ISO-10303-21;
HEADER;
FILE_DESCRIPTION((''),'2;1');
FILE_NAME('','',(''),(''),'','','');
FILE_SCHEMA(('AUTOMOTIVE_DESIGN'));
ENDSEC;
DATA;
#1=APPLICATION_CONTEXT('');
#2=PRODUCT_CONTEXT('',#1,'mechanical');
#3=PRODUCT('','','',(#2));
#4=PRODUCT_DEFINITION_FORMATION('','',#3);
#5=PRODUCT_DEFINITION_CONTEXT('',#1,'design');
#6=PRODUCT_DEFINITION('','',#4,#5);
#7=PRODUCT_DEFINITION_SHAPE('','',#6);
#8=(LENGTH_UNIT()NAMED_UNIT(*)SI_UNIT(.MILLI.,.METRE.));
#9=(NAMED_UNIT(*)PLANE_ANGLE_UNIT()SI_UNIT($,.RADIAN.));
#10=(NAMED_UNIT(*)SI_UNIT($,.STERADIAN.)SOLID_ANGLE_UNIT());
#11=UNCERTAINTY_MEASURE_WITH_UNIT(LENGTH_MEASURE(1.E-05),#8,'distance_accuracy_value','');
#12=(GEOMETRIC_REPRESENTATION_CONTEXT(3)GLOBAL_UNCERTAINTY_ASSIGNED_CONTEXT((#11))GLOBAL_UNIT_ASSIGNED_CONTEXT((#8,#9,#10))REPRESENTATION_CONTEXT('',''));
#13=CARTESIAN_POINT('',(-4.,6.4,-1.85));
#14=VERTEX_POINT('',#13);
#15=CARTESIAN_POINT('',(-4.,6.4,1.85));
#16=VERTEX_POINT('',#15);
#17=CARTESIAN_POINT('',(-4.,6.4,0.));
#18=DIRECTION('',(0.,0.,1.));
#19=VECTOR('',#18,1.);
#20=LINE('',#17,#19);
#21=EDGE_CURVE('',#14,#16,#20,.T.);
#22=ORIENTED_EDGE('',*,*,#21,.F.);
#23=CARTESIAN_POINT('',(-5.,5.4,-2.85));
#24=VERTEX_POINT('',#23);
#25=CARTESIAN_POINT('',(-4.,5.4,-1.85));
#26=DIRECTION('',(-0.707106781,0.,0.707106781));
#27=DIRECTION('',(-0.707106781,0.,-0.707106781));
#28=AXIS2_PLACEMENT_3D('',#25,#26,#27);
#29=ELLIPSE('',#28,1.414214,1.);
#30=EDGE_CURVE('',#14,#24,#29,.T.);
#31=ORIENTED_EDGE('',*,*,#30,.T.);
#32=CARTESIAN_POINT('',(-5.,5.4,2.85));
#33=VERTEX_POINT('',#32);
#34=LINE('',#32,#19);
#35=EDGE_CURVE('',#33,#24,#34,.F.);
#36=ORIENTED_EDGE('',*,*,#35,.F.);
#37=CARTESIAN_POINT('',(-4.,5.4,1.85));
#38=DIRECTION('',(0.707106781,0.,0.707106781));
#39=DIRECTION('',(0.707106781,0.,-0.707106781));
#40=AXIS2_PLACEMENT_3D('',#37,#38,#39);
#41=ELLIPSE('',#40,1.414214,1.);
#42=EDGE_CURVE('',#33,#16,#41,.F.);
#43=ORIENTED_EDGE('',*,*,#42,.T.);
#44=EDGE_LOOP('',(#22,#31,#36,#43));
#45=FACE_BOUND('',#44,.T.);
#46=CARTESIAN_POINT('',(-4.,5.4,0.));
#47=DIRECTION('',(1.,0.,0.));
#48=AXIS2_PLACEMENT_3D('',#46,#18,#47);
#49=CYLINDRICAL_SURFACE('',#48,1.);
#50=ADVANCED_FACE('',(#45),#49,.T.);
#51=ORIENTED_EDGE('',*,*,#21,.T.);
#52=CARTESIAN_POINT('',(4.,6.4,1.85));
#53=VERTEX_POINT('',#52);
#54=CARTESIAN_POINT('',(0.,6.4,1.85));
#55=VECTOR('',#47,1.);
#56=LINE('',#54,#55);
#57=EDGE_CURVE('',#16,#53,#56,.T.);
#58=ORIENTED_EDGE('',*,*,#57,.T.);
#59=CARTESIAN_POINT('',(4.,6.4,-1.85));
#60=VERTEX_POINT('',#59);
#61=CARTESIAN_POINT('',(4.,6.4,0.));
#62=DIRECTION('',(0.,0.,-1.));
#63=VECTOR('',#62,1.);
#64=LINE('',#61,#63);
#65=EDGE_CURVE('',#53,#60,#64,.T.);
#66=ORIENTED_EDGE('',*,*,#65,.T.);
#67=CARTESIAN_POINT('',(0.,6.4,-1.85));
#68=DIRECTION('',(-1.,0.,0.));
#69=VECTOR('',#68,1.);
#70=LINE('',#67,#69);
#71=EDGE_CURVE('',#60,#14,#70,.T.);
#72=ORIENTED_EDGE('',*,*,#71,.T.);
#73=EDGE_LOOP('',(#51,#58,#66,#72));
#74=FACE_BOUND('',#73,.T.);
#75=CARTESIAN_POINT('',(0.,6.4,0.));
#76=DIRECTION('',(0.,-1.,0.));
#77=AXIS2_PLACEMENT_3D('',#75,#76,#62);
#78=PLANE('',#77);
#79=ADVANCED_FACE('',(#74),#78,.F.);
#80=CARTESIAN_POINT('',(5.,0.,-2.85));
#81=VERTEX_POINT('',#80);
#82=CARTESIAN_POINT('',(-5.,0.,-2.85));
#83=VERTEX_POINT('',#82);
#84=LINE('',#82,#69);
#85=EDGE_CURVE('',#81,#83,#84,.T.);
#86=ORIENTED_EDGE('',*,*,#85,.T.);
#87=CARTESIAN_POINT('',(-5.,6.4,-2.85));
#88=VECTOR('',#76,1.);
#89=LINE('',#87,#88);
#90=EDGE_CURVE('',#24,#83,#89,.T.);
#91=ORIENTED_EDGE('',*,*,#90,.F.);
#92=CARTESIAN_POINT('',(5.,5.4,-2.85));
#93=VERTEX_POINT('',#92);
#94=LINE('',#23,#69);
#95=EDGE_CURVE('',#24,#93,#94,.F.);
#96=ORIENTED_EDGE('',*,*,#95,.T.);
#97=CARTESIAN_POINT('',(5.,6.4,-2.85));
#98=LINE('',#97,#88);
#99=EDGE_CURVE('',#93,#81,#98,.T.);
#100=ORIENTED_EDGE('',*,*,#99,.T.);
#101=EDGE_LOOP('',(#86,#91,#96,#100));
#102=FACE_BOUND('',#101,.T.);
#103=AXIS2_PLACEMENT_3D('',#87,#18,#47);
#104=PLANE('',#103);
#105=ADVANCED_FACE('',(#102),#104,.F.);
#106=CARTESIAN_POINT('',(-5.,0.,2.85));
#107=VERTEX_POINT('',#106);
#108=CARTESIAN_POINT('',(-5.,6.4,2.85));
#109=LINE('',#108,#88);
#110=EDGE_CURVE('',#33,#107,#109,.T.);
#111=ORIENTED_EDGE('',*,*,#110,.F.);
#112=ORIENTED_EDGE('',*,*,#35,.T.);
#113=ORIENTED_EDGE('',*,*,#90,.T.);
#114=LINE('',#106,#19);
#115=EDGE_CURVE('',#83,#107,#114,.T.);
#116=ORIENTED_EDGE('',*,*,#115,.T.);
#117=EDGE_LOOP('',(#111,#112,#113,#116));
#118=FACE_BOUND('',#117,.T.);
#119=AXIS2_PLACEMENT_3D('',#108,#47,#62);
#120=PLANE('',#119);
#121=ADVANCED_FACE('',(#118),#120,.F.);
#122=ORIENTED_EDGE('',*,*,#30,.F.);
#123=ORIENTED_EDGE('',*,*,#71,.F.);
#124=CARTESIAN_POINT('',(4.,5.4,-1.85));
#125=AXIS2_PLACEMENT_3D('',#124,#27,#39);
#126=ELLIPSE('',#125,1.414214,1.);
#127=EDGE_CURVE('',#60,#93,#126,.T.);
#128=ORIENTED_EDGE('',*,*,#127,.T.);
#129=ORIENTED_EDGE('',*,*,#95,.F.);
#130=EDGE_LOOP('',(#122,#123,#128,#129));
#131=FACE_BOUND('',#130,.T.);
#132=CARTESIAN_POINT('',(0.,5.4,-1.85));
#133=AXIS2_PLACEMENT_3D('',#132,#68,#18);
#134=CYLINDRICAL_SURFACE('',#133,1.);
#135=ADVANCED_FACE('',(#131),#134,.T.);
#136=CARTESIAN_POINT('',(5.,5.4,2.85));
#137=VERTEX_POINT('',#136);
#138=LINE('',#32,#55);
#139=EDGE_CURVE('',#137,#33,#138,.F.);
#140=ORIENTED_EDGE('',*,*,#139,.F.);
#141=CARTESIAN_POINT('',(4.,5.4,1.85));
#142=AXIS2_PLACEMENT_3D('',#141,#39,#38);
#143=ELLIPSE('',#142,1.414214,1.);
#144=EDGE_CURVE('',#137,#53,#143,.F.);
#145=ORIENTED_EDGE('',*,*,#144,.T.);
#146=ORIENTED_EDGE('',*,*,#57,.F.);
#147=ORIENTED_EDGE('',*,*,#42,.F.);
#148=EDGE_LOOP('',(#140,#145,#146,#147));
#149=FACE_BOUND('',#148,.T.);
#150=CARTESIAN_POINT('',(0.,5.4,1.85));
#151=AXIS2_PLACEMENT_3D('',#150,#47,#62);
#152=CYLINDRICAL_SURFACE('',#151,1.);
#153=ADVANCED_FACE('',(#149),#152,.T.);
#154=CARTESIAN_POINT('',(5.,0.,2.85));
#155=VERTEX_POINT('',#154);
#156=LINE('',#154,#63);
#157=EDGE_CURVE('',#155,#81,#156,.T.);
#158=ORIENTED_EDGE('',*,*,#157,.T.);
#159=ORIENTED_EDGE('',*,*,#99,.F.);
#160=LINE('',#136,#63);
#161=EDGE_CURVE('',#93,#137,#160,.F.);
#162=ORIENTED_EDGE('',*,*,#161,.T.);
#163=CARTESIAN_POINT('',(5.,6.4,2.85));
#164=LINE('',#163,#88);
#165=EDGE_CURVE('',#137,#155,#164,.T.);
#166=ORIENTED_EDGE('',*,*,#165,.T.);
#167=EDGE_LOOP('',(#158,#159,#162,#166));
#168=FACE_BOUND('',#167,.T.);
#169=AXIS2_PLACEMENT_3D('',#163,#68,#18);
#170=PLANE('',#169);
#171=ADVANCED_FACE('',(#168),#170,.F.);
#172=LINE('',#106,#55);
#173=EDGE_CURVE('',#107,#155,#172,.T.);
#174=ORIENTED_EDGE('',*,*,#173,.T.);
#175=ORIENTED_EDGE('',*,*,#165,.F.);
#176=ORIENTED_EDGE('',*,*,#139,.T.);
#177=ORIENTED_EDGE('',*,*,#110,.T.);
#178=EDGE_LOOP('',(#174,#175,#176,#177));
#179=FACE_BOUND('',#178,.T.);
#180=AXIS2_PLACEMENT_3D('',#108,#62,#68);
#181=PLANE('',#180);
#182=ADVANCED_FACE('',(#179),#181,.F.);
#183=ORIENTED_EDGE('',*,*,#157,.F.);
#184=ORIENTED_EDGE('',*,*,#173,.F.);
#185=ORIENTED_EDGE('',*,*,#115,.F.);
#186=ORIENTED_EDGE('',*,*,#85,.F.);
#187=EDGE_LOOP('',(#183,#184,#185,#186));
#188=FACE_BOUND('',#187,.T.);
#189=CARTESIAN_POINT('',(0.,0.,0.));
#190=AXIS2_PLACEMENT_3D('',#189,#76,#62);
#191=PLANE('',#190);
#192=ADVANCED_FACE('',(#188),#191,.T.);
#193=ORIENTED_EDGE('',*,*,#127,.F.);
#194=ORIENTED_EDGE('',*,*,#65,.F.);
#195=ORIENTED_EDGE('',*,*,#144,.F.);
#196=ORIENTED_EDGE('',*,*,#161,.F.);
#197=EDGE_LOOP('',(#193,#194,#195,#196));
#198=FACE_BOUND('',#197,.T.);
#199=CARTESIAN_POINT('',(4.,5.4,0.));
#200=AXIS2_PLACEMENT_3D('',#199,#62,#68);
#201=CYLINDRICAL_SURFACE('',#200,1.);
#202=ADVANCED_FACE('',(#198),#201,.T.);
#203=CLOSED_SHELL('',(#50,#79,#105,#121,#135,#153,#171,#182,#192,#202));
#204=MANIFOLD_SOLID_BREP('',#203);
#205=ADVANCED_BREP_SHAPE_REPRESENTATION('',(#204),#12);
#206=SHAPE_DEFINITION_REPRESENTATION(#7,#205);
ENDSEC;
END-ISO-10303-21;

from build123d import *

# Parameters (mm, degrees)
SKETCH1_W           = 10
SKETCH1_H           = 5.7
BOSS_EXTRUDE1_DEPTH = 6.4
FILLET1_R           = 1


with BuildPart() as part:
    # Sketch1 → Boss-Extrude1 (new body)
    with BuildSketch(Plane(origin=(0, 0, 0), x_dir=(1, 0, 0), z_dir=(0, 1, 0))):
        Rectangle(SKETCH1_W, SKETCH1_H)
    extrude(amount=BOSS_EXTRUDE1_DEPTH)

    # Fillet1
    fillet1_edges = [part.edges().sort_by_distance(p)[0] for p in [
        (-5, 6.4, 0),
        (0, 6.4, 2.85),
        (5, 6.4, 0),
        (0, 6.4, -2.85),
    ]]
    fillet(fillet1_edges, radius=FILLET1_R)


solid = part.part
